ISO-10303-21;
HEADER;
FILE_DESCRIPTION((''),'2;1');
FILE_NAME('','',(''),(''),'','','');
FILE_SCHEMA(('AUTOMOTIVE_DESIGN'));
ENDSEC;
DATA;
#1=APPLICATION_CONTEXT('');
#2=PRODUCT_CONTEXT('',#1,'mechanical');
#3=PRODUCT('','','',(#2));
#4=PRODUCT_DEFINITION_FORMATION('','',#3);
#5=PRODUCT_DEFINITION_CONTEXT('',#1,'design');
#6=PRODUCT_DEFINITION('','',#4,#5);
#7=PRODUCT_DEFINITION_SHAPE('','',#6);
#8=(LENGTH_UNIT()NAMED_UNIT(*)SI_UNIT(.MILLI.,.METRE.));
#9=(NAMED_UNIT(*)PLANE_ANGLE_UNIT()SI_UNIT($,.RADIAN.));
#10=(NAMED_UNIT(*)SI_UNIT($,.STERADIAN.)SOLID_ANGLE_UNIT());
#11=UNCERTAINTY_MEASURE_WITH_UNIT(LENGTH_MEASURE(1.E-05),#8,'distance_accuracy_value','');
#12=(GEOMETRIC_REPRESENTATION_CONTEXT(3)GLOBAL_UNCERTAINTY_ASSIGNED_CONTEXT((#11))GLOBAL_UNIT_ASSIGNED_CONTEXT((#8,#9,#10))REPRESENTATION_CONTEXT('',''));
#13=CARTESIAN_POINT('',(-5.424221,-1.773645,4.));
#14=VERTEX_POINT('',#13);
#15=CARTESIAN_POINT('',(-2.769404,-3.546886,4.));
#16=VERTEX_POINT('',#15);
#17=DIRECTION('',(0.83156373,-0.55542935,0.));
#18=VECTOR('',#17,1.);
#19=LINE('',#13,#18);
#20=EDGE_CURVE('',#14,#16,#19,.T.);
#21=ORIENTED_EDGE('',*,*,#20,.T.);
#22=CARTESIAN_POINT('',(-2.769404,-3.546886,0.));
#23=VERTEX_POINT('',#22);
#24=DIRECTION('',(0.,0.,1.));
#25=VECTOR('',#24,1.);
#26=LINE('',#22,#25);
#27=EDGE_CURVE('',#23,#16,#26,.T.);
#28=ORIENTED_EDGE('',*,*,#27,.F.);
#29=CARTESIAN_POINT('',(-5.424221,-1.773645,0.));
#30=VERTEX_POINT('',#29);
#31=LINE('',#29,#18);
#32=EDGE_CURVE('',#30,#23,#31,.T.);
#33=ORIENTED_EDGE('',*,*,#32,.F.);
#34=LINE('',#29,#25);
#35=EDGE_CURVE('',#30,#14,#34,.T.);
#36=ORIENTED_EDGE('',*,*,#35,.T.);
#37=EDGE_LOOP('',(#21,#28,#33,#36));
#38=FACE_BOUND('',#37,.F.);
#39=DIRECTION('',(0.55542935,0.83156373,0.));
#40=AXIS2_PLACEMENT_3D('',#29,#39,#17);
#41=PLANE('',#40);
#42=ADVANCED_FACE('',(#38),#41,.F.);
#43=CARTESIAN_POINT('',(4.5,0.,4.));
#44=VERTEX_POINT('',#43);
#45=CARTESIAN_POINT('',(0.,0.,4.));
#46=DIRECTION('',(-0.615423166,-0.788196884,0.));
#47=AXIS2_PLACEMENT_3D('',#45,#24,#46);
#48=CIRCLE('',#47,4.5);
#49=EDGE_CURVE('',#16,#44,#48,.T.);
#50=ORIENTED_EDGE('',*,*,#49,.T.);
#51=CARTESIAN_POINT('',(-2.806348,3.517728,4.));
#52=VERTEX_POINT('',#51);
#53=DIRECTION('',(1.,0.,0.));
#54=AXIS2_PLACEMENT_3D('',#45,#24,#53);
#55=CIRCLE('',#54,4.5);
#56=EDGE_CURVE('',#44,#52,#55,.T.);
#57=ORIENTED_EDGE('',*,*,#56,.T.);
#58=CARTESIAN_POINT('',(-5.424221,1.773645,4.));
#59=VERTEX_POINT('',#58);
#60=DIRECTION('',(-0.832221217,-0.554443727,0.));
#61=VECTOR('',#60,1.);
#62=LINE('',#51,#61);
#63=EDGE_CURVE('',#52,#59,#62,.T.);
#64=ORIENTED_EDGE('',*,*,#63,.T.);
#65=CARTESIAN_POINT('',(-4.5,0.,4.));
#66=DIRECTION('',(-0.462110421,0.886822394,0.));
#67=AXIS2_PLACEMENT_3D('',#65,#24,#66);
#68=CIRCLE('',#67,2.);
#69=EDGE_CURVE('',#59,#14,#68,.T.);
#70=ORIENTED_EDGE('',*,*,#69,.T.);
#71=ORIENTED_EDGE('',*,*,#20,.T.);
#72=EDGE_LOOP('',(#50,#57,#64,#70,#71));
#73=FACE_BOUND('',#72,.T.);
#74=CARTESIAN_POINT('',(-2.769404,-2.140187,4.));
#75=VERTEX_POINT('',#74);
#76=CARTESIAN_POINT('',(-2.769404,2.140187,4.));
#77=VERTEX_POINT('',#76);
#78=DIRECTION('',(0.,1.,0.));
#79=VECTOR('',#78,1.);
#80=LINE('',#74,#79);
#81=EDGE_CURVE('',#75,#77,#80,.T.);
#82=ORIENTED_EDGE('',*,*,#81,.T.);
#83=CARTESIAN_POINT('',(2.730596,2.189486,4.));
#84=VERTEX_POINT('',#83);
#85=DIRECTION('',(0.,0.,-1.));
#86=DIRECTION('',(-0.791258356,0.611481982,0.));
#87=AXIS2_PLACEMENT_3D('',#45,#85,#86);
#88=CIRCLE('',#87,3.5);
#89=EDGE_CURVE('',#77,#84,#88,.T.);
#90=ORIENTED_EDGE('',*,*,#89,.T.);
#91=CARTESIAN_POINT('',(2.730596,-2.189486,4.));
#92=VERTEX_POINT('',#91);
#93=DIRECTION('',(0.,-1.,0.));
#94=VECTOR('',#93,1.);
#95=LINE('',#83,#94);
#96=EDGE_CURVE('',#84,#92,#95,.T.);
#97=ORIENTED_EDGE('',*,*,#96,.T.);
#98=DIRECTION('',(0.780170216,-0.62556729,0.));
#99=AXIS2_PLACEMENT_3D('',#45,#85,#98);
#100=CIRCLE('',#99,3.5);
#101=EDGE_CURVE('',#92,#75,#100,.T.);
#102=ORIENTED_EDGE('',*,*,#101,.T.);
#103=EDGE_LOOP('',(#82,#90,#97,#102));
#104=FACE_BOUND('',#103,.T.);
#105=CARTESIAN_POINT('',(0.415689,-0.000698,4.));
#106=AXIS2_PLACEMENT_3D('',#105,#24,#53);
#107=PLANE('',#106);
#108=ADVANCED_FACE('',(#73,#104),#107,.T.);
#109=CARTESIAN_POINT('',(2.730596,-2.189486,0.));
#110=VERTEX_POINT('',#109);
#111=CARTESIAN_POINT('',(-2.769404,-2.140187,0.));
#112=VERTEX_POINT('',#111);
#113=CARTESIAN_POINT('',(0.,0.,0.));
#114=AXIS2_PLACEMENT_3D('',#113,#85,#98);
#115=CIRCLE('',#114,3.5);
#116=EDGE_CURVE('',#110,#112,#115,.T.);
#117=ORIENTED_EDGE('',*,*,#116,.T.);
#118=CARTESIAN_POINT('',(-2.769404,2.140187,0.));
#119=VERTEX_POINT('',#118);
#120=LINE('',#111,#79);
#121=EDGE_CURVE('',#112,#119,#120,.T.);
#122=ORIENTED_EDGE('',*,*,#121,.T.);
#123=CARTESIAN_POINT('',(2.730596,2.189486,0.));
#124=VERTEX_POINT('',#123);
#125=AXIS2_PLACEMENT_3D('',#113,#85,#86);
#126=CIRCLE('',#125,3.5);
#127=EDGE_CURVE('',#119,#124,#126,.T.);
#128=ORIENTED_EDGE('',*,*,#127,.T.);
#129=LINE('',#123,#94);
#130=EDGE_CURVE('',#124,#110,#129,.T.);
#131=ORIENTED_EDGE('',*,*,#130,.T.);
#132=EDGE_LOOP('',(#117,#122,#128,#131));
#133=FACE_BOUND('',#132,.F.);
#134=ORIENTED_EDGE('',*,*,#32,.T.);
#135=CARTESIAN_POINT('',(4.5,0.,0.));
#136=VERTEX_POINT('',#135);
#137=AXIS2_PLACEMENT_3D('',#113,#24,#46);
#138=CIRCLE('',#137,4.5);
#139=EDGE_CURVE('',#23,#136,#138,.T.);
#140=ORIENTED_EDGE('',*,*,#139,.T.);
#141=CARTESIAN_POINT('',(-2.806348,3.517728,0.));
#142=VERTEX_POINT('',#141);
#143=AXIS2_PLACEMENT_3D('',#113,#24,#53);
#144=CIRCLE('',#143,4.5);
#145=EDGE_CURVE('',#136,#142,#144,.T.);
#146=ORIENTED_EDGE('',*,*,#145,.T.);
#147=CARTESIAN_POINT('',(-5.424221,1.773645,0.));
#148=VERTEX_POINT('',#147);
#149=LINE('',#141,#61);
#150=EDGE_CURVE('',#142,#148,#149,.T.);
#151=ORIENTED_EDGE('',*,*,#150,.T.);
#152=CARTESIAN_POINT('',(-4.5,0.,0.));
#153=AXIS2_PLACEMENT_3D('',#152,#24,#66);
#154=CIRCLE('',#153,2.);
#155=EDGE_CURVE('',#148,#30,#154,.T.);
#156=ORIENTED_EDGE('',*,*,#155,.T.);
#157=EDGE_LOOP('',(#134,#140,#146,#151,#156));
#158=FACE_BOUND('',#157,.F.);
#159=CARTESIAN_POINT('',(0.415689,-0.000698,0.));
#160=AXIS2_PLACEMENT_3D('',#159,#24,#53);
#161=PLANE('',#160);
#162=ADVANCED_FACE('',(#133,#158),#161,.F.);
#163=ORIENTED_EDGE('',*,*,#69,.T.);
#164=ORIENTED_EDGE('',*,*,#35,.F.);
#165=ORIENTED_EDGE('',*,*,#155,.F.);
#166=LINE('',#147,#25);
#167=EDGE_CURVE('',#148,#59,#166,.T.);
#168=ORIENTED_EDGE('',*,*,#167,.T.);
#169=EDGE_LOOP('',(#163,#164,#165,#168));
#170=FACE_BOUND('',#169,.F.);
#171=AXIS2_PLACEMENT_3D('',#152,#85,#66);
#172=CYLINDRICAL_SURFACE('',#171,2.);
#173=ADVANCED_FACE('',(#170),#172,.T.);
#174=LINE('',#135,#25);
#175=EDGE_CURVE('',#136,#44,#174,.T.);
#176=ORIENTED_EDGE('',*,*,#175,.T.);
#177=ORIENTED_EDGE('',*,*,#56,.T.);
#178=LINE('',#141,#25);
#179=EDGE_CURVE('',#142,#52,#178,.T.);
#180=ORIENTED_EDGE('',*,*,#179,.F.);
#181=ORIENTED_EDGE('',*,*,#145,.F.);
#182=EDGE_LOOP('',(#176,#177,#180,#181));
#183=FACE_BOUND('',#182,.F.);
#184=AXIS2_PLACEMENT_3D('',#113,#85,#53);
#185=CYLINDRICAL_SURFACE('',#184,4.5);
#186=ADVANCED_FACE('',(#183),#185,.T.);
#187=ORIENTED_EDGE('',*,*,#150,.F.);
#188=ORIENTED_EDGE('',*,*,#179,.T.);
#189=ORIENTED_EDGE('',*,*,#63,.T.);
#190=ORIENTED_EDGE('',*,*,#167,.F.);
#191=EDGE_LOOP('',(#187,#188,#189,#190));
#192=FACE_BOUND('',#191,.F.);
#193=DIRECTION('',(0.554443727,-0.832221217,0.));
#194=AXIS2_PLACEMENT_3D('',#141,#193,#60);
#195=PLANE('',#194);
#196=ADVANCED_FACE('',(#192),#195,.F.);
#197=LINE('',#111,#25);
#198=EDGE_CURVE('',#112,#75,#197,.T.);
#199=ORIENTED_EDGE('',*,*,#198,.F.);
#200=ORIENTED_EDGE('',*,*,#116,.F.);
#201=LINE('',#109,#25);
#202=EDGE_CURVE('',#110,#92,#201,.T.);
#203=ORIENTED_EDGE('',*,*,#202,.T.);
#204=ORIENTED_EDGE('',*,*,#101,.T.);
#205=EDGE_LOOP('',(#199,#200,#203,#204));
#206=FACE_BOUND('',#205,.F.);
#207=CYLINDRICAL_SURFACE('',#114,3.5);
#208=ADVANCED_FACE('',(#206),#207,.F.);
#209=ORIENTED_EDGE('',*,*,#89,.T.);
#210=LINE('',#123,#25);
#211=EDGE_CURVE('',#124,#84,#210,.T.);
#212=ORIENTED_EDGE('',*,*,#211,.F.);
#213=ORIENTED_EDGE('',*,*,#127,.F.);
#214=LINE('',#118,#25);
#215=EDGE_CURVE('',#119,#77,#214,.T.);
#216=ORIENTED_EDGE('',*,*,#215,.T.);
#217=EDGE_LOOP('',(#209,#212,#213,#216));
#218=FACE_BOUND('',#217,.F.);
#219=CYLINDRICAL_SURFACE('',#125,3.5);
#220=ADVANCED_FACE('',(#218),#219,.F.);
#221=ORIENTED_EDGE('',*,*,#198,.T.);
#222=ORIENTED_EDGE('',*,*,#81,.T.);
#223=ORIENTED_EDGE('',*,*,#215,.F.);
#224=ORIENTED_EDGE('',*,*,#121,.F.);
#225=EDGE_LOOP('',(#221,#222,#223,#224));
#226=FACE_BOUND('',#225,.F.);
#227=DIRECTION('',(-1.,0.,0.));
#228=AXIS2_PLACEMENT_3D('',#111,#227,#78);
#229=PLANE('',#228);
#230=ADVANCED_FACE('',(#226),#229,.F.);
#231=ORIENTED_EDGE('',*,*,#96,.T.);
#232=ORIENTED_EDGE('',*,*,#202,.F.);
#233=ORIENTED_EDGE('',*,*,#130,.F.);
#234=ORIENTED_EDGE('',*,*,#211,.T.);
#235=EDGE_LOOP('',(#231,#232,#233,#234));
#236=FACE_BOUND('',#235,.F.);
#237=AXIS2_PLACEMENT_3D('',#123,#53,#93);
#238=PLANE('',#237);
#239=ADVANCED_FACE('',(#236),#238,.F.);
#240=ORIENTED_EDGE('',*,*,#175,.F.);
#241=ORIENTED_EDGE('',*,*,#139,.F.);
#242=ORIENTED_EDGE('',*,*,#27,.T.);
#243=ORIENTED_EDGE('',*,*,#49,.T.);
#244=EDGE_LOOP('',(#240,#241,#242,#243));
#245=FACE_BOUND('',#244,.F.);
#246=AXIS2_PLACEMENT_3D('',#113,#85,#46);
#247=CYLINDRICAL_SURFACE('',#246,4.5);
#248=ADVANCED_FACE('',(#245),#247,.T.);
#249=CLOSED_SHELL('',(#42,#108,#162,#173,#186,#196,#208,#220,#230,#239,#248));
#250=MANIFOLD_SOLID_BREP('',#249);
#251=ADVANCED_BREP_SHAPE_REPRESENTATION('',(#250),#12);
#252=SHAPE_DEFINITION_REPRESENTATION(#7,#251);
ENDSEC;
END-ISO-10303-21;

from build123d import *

# Parameters (mm, degrees)
F1_DEPTH = 4


with BuildPart() as f1:
    # F0 (on Top) → F1 (new body)
    with BuildSketch(Plane.XY):
        with BuildLine():
            ThreePointArc((2.7305957552, 2.1894855153), (3.3020512673, 1.1603695223), (3.5, 0))
            ThreePointArc((3.5, 0), (3.3020512673, -1.1603695223), (2.7305957552, -2.1894855153))
            ThreePointArc((2.7305957552, -2.1894855153), (-0.0313705619, -3.4998594097), (-2.7694042448, -2.1401869378))
            ThreePointArc((-2.7694042448, -2.1401869378), (-2.9857476275, -1.8262834131), (-3.1666666667, -1.490711985))
            ThreePointArc((-3.1666666667, -1.490711985), (-3.5819270129, -1.7768348236), (-4.0555555556, -1.9499920861))
            ThreePointArc((-4.0555555556, -1.9499920861), (-3.5046450025, -2.8226695532), (-2.7694042448, -3.5468859763))
            ThreePointArc((-2.7694042448, -3.5468859763), (1.9732816447, -4.0442749104), (4.5, 0))
            ThreePointArc((4.5, 0), (1.9521060509, 4.0545384405), (-2.8063475404, 3.5177284549))
            ThreePointArc((-2.8063475404, 3.5177284549), (-3.5193575913, 2.8043042176), (-4.0555555556, 1.9499920861))
            ThreePointArc((-4.0555555556, 1.9499920861), (-3.5819270129, 1.7768348236), (-3.1666666667, 1.490711985))
            ThreePointArc((-3.1666666667, 1.490711985), (-2.9857476275, 1.8262834131), (-2.7694042448, 2.1401869378))
            ThreePointArc((-2.7694042448, 2.1401869378), (-0.0313705619, 3.4998594097), (2.7305957552, 2.1894855153))
        make_face()
        with BuildLine():
            Line((-2.7694042448, 1.0025160009), (-2.7694042448, 2.1401869378))
            ThreePointArc((-2.7694042448, 2.1401869378), (-2.9857476275, 1.8262834131), (-3.1666666667, 1.490711985))
            ThreePointArc((-3.1666666667, 1.490711985), (-2.9487104736, 1.2623394177), (-2.7694042448, 1.0025160009))
        make_face()
        with BuildLine():
            ThreePointArc((-2.7694042448, 1.0025160009), (-2.9487104736, 1.2623394177), (-3.1666666667, 1.490711985))
            ThreePointArc((-3.1666666667, 1.490711985), (-3.5, 0), (-3.1666666667, -1.490711985))
            ThreePointArc((-3.1666666667, -1.490711985), (-2.9487104736, -1.2623394177), (-2.7694042448, -1.0025160009))
            Line((-2.7694042448, -1.0025160009), (-2.7694042448, 1.0025160009))
        make_face()
        with BuildLine():
            ThreePointArc((-3.1666666667, -1.490711985), (-2.9857476275, -1.8262834131), (-2.7694042448, -2.1401869378))
            Line((-2.7694042448, -2.1401869378), (-2.7694042448, -1.0025160009))
            ThreePointArc((-2.7694042448, -1.0025160009), (-2.9487104736, -1.2623394177), (-3.1666666667, -1.490711985))
        make_face()
        with BuildLine():
            ThreePointArc((2.7305957552, -2.1894855153), (3.3020512673, -1.1603695223), (3.5, 0))
            ThreePointArc((3.5, 0), (3.3020512673, 1.1603695223), (2.7305957552, 2.1894855153))
            Line((2.7305957552, 2.1894855153), (2.7305957552, -2.1894855153))
        make_face()
        with BuildLine():
            ThreePointArc((-5.424220841, 1.7736447889), (-4.7555796157, 1.9836025459), (-4.0555555556, 1.9499920861))
            ThreePointArc((-4.0555555556, 1.9499920861), (-3.5193575913, 2.8043042176), (-2.8063475404, 3.5177284549))
            Line((-2.8063475404, 3.5177284549), (-5.424220841, 1.7736447889))
        make_face()
        with BuildLine():
            ThreePointArc((-4.0555555556, -1.9499920861), (-4.5, 0), (-4.0555555556, 1.9499920861))
            ThreePointArc((-4.0555555556, 1.9499920861), (-4.7555796157, 1.9836025459), (-5.424220841, 1.7736447889))
            ThreePointArc((-5.424220841, 1.7736447889), (-6.5, 0), (-5.424220841, -1.7736447889))
            ThreePointArc((-5.424220841, -1.7736447889), (-4.7555796157, -1.9836025459), (-4.0555555556, -1.9499920861))
        make_face()
        with BuildLine():
            ThreePointArc((-3.1666666667, -1.490711985), (-3.5, 0), (-3.1666666667, 1.490711985))
            ThreePointArc((-3.1666666667, 1.490711985), (-3.5819270129, 1.7768348236), (-4.0555555556, 1.9499920861))
            ThreePointArc((-4.0555555556, 1.9499920861), (-4.5, 0), (-4.0555555556, -1.9499920861))
            ThreePointArc((-4.0555555556, -1.9499920861), (-3.5819270129, -1.7768348236), (-3.1666666667, -1.490711985))
        make_face()
        with BuildLine():
            ThreePointArc((-2.7694042448, -3.5468859763), (-3.5046450025, -2.8226695532), (-4.0555555556, -1.9499920861))
            ThreePointArc((-4.0555555556, -1.9499920861), (-4.7555796157, -1.9836025459), (-5.424220841, -1.7736447889))
            Line((-5.424220841, -1.7736447889), (-2.7694042448, -3.5468859763))
        make_face()
    extrude(amount=F1_DEPTH)


solid = f1.part
